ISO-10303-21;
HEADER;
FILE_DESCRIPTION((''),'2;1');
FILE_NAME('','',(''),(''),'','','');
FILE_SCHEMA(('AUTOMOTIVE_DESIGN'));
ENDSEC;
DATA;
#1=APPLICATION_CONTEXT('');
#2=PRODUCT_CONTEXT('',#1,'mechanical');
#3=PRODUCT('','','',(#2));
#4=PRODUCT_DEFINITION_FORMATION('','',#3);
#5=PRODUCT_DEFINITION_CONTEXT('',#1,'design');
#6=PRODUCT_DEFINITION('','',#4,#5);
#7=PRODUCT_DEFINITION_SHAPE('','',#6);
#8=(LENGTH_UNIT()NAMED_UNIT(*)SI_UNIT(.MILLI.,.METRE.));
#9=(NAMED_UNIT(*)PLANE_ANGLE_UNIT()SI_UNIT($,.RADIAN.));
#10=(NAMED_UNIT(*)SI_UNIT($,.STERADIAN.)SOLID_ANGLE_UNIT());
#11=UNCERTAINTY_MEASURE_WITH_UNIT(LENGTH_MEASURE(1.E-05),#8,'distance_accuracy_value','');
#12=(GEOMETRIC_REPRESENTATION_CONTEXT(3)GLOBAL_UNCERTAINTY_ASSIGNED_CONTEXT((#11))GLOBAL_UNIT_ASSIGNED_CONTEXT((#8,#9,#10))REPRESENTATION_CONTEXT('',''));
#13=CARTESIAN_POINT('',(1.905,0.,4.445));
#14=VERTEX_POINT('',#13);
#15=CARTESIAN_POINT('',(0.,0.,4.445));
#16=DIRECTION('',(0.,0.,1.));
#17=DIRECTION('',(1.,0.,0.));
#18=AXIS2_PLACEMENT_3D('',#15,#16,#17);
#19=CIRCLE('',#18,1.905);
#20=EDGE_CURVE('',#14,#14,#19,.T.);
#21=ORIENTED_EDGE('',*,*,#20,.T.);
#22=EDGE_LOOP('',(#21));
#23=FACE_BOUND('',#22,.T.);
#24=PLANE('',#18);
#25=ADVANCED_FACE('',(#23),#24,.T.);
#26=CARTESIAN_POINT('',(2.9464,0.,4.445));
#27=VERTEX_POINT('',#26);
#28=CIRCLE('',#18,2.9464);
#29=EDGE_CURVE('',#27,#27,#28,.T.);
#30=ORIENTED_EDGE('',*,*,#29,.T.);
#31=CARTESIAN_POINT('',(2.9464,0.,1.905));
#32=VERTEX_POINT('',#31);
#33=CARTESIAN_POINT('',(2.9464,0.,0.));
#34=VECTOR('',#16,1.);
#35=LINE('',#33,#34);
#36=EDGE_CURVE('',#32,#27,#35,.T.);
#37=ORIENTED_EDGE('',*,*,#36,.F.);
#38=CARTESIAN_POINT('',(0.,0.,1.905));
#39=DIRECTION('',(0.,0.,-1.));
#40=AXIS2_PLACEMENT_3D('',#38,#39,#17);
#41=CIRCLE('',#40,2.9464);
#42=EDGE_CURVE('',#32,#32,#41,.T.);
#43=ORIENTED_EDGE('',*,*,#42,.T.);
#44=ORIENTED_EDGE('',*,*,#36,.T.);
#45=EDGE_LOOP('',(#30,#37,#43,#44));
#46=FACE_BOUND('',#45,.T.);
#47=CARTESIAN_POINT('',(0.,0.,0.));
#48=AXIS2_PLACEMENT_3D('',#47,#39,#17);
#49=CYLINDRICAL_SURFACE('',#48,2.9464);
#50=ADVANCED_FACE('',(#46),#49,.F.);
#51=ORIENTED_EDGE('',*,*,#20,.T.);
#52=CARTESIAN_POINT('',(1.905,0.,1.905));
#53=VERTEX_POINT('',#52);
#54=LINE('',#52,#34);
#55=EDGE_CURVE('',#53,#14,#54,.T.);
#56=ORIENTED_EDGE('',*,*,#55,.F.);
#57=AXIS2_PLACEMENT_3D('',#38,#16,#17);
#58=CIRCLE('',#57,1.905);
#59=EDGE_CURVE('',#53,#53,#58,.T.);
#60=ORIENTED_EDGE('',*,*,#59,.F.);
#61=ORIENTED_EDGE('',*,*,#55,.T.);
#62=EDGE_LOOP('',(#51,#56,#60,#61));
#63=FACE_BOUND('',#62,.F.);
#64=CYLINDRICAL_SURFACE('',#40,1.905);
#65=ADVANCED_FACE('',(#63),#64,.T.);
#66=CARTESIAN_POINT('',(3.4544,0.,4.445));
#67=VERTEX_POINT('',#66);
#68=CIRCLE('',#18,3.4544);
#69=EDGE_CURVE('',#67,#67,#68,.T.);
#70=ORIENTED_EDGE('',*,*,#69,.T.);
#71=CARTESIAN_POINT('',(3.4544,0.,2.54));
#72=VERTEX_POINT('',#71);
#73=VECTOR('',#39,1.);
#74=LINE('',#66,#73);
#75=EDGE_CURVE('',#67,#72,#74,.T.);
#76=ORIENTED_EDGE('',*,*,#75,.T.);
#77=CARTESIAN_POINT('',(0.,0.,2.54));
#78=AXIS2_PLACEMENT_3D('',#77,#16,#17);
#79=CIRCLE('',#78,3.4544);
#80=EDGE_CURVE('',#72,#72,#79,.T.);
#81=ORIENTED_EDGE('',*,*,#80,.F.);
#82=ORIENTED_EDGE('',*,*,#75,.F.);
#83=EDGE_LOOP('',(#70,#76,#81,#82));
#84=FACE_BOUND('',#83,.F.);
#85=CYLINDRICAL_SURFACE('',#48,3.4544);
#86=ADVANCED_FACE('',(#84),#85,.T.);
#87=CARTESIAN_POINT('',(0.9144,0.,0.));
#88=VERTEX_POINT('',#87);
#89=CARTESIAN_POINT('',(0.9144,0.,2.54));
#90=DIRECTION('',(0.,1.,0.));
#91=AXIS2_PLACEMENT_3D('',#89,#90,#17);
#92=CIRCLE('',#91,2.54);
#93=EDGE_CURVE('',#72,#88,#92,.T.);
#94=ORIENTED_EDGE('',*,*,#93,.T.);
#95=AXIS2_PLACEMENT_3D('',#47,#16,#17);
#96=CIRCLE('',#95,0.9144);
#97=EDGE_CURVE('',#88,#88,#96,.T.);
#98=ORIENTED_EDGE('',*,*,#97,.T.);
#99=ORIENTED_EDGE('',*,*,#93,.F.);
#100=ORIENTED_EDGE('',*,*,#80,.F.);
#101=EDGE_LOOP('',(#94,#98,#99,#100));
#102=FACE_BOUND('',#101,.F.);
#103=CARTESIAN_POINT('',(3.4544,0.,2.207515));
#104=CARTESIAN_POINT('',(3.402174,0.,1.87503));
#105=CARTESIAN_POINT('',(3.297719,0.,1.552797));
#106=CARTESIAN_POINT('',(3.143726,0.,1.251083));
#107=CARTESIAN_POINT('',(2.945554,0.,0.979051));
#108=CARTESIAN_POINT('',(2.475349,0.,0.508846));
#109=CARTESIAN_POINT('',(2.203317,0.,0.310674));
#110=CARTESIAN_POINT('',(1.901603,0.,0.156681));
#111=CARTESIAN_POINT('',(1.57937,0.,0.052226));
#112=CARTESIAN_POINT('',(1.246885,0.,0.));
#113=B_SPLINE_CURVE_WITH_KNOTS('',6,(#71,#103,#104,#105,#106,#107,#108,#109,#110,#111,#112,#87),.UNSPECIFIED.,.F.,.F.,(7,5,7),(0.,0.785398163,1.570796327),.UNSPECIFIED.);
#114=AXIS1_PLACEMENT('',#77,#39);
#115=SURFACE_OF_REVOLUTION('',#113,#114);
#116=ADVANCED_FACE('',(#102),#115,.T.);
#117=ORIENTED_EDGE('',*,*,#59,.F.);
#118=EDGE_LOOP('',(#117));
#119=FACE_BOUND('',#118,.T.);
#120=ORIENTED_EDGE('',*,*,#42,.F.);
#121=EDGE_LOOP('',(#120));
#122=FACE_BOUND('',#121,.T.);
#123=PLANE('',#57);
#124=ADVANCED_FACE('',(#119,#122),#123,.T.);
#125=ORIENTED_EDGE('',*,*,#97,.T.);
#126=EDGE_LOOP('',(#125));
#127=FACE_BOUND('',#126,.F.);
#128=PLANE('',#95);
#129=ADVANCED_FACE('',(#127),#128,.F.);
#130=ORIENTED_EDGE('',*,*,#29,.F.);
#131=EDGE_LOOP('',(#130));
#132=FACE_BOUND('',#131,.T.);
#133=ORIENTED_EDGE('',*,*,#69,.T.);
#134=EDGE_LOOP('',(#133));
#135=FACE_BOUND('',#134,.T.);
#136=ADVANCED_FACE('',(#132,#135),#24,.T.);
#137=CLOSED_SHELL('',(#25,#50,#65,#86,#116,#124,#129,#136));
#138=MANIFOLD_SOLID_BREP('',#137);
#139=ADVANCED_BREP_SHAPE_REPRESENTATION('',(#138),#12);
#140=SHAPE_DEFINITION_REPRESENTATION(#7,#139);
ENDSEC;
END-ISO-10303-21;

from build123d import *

# Parameters (mm, degrees)
F0_R     = 3.4544
F0_R_2   = 2.9464
F1_DEPTH = 4.445
F2_DEPTH = 1.905
F3_R     = 1.905
F4_DEPTH = 2.54
F5_R     = 2.54


with BuildPart() as f1:
    # F0 (on Top) → F1 (new body)
    with BuildSketch(Plane.XY):
        Circle(F0_R)
        Circle(F0_R_2, mode=Mode.SUBTRACT)
    extrude(amount=F1_DEPTH)

    # F0 (on Top) → F2 (join)
    with BuildSketch(Plane.XY):
        Circle(F0_R)
        Circle(F0_R_2, mode=Mode.SUBTRACT)
        Circle(F0_R_2)
    extrude(amount=F2_DEPTH)

    # F3 (on face) → F4 (join)
    with BuildSketch(Plane.XY.offset(1.905)):
        Circle(F3_R)
    extrude(amount=F4_DEPTH)

    # F5
    f5_edges = [f1.edges().sort_by_distance(p)[0] for p in [
        (-3.4544, 0, 0),
    ]]
    fillet(f5_edges, radius=F5_R)


solid = f1.part
